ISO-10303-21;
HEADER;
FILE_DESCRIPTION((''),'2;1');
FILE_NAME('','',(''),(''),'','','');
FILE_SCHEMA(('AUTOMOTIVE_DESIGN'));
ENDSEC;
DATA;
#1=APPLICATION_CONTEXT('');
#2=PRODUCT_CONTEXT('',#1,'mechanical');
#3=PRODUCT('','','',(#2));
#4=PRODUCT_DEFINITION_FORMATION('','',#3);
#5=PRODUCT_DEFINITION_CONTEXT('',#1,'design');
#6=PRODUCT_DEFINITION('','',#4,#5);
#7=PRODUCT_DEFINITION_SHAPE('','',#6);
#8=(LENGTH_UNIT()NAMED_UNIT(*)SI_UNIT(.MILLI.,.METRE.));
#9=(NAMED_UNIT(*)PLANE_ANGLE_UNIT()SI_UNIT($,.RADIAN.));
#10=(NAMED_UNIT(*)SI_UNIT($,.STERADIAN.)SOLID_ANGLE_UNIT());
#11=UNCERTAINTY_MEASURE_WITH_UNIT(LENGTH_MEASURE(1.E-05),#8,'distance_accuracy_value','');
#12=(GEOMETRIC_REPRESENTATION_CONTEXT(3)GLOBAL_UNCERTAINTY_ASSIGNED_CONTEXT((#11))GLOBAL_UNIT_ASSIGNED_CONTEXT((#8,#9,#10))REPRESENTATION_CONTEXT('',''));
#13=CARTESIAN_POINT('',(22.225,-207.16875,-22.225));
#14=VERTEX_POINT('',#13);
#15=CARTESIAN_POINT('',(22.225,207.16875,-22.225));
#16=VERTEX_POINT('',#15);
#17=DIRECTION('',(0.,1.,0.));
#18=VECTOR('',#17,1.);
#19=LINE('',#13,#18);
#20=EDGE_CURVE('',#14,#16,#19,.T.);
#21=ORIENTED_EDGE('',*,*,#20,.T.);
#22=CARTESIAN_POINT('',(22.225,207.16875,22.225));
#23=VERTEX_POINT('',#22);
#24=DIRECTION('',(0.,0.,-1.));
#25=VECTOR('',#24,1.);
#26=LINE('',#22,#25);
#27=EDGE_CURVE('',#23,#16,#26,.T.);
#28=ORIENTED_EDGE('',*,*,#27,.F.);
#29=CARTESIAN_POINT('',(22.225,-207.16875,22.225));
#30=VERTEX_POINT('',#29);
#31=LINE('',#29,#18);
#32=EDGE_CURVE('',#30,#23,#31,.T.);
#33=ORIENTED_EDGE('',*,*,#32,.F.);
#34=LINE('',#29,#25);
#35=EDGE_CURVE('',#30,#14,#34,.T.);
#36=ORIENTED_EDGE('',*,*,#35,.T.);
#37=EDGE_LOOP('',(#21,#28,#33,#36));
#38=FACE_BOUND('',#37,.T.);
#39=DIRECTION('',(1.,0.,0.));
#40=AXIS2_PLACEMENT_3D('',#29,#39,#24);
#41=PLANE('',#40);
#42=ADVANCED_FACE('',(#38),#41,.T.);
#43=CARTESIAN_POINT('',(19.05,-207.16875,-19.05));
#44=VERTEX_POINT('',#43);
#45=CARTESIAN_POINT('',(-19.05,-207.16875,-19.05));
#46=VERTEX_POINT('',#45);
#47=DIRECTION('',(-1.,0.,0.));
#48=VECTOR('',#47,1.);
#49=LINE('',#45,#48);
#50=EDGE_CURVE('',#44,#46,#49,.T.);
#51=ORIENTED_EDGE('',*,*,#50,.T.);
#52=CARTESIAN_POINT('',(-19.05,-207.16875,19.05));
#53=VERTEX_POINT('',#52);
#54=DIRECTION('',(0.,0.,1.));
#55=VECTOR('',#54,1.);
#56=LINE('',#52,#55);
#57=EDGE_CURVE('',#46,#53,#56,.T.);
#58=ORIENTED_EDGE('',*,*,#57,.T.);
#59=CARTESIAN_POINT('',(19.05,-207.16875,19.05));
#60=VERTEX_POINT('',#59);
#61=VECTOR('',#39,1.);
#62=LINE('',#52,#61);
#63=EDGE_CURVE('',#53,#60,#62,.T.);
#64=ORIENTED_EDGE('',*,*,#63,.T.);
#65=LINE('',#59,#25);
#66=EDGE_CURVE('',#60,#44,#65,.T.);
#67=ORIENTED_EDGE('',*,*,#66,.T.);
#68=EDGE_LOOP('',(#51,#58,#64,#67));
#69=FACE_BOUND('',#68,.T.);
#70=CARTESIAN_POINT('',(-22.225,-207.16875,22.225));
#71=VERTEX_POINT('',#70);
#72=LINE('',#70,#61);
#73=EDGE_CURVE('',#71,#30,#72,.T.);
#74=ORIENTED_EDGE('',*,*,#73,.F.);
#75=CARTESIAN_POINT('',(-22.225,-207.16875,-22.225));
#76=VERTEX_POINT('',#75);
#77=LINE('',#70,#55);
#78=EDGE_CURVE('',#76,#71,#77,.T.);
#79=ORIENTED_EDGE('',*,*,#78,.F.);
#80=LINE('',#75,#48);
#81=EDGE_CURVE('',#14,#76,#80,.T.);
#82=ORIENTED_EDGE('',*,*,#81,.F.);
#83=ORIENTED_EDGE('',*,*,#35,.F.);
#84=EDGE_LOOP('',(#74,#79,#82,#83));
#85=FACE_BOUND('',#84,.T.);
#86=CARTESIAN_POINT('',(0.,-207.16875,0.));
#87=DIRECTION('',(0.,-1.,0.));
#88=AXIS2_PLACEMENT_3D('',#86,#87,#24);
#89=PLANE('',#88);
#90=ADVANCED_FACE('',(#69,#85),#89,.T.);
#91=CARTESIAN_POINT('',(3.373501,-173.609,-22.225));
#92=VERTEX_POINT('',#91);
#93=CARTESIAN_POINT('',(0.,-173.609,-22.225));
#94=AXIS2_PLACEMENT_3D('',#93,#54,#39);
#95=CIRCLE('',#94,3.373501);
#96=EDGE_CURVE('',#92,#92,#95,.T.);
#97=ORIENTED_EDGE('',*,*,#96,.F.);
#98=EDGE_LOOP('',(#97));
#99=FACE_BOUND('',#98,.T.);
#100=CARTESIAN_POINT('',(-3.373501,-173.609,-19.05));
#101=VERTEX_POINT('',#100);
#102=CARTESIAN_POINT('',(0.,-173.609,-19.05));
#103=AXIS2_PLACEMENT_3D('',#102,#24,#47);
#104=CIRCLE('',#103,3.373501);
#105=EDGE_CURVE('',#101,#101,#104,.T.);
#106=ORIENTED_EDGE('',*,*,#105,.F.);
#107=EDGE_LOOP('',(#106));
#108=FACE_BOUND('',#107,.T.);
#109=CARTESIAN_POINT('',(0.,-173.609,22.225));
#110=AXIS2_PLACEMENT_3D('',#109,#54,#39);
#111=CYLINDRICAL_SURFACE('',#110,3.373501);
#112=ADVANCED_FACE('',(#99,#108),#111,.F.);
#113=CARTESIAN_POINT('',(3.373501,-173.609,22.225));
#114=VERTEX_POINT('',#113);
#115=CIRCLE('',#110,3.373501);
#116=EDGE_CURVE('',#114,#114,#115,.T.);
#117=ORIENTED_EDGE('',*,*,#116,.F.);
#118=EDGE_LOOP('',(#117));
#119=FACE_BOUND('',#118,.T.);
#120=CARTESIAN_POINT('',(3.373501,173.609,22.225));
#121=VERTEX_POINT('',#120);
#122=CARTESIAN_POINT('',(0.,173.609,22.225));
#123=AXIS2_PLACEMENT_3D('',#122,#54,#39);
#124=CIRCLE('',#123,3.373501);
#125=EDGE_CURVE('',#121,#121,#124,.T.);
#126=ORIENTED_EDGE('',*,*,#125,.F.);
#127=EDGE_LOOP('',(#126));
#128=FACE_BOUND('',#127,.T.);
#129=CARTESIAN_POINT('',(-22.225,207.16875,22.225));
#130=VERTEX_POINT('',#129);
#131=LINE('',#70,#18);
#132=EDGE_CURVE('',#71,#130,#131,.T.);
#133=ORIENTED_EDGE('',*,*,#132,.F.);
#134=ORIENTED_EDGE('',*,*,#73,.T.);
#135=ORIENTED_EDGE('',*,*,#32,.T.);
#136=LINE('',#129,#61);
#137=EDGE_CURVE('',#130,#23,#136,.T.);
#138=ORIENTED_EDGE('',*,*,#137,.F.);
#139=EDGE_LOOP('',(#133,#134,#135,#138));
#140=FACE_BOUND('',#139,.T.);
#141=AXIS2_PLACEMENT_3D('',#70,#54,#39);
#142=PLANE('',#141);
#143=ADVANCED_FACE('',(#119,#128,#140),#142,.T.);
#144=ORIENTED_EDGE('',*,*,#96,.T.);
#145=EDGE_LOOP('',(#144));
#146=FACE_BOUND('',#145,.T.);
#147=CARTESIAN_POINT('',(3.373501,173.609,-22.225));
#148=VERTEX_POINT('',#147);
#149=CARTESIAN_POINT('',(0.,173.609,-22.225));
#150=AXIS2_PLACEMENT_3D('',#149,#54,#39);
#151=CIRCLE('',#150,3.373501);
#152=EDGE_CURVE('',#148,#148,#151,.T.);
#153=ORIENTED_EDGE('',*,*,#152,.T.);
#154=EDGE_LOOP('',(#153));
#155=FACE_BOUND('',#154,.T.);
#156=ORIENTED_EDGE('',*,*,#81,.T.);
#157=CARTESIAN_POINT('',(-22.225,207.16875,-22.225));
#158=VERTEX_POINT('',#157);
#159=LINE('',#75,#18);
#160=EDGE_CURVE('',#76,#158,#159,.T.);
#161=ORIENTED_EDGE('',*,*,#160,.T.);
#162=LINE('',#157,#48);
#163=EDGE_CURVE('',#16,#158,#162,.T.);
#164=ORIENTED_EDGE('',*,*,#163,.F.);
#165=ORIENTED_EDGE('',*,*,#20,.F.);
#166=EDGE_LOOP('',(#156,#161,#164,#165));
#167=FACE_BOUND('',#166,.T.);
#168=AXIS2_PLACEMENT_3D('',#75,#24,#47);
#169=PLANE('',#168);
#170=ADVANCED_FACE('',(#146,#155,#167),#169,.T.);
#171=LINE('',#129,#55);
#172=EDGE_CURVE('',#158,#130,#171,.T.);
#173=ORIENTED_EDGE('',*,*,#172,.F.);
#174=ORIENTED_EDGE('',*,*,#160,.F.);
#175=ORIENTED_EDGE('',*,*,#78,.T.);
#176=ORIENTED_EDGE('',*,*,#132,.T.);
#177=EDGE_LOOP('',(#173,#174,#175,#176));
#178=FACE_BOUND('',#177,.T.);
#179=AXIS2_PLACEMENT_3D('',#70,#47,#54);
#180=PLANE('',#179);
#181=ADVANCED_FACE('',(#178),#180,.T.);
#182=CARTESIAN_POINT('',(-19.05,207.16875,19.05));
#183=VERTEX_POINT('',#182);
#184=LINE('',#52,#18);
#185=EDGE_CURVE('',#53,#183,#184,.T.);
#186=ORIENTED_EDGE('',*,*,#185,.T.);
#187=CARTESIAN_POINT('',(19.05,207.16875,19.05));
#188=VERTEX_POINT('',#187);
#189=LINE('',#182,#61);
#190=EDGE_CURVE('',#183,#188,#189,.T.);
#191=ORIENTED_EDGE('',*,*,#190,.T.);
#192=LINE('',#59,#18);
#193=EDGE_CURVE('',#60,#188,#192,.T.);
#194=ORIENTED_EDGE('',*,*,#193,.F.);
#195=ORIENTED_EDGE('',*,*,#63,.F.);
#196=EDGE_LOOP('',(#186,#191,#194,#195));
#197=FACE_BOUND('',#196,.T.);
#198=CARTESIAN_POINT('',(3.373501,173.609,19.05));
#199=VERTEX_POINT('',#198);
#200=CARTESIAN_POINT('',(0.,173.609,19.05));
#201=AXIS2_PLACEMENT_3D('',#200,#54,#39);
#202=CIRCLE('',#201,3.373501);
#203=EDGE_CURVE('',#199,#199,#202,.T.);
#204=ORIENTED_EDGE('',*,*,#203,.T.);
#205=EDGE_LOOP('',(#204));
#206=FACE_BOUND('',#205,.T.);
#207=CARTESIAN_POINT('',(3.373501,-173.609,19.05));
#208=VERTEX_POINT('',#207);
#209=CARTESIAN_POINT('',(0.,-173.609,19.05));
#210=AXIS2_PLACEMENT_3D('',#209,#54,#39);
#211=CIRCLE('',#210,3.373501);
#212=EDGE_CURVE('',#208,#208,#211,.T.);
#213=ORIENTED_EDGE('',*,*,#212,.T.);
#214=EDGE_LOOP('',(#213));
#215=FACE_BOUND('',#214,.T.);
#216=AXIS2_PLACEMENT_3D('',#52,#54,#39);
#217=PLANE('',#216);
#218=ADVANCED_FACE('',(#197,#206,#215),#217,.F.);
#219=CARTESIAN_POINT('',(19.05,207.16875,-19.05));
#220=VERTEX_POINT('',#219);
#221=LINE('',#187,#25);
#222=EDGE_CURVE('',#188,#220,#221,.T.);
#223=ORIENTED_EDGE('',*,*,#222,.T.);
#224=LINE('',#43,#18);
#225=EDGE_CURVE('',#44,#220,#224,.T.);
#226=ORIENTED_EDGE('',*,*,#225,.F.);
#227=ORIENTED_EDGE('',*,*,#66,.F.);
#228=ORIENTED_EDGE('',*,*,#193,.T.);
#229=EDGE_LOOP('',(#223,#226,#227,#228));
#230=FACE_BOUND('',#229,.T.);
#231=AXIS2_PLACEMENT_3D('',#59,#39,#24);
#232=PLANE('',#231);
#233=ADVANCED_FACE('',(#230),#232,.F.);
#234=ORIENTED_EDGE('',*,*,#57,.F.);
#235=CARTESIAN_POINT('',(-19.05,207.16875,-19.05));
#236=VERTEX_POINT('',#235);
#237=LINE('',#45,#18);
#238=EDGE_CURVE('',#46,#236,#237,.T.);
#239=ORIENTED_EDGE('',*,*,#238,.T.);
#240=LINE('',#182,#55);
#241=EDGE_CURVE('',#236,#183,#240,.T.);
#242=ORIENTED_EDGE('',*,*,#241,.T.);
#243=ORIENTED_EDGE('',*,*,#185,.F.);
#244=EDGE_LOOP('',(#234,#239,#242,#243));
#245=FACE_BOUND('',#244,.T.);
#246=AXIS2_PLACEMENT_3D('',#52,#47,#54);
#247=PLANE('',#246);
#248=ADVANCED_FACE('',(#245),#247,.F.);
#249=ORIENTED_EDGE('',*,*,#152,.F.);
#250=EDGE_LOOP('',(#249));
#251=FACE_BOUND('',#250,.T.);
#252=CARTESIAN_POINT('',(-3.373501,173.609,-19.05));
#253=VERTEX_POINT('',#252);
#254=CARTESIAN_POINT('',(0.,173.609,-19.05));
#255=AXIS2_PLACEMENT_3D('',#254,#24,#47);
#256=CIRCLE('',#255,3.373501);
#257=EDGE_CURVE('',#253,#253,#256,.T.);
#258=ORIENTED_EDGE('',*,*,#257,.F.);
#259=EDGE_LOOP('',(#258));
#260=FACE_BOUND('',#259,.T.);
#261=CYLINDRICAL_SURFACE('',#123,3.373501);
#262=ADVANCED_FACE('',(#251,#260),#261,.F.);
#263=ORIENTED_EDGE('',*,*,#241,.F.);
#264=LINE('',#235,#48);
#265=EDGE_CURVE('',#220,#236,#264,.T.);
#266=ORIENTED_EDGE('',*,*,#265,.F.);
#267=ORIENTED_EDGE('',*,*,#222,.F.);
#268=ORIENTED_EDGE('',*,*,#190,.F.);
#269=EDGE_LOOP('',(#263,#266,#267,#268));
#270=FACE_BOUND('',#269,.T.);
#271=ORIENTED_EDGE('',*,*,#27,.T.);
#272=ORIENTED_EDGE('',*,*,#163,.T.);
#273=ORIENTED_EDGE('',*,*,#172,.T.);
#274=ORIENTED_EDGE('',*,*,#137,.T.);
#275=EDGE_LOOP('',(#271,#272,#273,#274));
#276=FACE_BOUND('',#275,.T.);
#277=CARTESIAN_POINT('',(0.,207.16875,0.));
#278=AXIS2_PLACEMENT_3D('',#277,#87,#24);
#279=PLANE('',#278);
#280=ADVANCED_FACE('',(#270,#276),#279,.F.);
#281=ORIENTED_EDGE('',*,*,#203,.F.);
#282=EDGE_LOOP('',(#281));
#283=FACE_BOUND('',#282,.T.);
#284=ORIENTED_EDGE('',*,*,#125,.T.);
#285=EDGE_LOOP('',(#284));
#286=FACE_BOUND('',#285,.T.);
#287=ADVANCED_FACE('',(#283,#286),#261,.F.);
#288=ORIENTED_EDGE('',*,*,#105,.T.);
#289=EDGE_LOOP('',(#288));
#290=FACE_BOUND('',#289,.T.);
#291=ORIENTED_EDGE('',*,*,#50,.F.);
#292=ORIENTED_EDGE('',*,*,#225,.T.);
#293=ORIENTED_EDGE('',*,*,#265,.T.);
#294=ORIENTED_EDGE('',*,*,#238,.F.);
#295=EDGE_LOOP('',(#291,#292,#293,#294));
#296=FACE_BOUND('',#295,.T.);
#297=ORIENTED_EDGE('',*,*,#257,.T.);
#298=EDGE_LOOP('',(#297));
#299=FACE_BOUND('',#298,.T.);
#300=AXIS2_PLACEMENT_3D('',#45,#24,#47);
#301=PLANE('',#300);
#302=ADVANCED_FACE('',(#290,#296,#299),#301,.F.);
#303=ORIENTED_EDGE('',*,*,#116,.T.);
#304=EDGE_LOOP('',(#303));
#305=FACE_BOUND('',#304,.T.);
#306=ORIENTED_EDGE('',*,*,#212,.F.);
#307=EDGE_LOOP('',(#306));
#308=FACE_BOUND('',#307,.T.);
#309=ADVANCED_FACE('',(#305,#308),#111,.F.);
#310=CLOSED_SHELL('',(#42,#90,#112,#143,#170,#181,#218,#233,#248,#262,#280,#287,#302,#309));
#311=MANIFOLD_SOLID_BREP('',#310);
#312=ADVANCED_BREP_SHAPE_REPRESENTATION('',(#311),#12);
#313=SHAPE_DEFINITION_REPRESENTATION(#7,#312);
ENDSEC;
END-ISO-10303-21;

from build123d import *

# Parameters (mm, degrees)
BOSS_EXTRUDE1_DEPTH              = 207.16875
BOSS_EXTRUDE1_DEPTH_BACK         = 207.16875
SKETCH1_W                        = 44.45
SKETCH1_H                        = 44.45
SKETCH1_W_2                      = 38.1
SKETCH1_H_2                      = 38.1
F_17_64_0_26563_DIAMETER_HOLE1_D = 6.747002


with BuildPart() as part:
    # Sketch1 → Boss-Extrude1 (new, two sides: drawn at the far end of the back side and taken through both)
    with BuildSketch(Plane(origin=(0, 0, 0), x_dir=(1, 0, 0), z_dir=(0, 1, 0)).offset(-BOSS_EXTRUDE1_DEPTH_BACK)):
        Rectangle(SKETCH1_W, SKETCH1_H)
        Rectangle(SKETCH1_W_2, SKETCH1_H_2, mode=Mode.SUBTRACT)
    extrude(amount=BOSS_EXTRUDE1_DEPTH + BOSS_EXTRUDE1_DEPTH_BACK)

    # 17/64 (0.26563) Diameter Hole1 (through all)
    with Locations(Plane.XY.offset(22.225)):
        with Locations((0, 173.609), (0, -173.609)):
            Hole(F_17_64_0_26563_DIAMETER_HOLE1_D / 2)


solid = part.part
